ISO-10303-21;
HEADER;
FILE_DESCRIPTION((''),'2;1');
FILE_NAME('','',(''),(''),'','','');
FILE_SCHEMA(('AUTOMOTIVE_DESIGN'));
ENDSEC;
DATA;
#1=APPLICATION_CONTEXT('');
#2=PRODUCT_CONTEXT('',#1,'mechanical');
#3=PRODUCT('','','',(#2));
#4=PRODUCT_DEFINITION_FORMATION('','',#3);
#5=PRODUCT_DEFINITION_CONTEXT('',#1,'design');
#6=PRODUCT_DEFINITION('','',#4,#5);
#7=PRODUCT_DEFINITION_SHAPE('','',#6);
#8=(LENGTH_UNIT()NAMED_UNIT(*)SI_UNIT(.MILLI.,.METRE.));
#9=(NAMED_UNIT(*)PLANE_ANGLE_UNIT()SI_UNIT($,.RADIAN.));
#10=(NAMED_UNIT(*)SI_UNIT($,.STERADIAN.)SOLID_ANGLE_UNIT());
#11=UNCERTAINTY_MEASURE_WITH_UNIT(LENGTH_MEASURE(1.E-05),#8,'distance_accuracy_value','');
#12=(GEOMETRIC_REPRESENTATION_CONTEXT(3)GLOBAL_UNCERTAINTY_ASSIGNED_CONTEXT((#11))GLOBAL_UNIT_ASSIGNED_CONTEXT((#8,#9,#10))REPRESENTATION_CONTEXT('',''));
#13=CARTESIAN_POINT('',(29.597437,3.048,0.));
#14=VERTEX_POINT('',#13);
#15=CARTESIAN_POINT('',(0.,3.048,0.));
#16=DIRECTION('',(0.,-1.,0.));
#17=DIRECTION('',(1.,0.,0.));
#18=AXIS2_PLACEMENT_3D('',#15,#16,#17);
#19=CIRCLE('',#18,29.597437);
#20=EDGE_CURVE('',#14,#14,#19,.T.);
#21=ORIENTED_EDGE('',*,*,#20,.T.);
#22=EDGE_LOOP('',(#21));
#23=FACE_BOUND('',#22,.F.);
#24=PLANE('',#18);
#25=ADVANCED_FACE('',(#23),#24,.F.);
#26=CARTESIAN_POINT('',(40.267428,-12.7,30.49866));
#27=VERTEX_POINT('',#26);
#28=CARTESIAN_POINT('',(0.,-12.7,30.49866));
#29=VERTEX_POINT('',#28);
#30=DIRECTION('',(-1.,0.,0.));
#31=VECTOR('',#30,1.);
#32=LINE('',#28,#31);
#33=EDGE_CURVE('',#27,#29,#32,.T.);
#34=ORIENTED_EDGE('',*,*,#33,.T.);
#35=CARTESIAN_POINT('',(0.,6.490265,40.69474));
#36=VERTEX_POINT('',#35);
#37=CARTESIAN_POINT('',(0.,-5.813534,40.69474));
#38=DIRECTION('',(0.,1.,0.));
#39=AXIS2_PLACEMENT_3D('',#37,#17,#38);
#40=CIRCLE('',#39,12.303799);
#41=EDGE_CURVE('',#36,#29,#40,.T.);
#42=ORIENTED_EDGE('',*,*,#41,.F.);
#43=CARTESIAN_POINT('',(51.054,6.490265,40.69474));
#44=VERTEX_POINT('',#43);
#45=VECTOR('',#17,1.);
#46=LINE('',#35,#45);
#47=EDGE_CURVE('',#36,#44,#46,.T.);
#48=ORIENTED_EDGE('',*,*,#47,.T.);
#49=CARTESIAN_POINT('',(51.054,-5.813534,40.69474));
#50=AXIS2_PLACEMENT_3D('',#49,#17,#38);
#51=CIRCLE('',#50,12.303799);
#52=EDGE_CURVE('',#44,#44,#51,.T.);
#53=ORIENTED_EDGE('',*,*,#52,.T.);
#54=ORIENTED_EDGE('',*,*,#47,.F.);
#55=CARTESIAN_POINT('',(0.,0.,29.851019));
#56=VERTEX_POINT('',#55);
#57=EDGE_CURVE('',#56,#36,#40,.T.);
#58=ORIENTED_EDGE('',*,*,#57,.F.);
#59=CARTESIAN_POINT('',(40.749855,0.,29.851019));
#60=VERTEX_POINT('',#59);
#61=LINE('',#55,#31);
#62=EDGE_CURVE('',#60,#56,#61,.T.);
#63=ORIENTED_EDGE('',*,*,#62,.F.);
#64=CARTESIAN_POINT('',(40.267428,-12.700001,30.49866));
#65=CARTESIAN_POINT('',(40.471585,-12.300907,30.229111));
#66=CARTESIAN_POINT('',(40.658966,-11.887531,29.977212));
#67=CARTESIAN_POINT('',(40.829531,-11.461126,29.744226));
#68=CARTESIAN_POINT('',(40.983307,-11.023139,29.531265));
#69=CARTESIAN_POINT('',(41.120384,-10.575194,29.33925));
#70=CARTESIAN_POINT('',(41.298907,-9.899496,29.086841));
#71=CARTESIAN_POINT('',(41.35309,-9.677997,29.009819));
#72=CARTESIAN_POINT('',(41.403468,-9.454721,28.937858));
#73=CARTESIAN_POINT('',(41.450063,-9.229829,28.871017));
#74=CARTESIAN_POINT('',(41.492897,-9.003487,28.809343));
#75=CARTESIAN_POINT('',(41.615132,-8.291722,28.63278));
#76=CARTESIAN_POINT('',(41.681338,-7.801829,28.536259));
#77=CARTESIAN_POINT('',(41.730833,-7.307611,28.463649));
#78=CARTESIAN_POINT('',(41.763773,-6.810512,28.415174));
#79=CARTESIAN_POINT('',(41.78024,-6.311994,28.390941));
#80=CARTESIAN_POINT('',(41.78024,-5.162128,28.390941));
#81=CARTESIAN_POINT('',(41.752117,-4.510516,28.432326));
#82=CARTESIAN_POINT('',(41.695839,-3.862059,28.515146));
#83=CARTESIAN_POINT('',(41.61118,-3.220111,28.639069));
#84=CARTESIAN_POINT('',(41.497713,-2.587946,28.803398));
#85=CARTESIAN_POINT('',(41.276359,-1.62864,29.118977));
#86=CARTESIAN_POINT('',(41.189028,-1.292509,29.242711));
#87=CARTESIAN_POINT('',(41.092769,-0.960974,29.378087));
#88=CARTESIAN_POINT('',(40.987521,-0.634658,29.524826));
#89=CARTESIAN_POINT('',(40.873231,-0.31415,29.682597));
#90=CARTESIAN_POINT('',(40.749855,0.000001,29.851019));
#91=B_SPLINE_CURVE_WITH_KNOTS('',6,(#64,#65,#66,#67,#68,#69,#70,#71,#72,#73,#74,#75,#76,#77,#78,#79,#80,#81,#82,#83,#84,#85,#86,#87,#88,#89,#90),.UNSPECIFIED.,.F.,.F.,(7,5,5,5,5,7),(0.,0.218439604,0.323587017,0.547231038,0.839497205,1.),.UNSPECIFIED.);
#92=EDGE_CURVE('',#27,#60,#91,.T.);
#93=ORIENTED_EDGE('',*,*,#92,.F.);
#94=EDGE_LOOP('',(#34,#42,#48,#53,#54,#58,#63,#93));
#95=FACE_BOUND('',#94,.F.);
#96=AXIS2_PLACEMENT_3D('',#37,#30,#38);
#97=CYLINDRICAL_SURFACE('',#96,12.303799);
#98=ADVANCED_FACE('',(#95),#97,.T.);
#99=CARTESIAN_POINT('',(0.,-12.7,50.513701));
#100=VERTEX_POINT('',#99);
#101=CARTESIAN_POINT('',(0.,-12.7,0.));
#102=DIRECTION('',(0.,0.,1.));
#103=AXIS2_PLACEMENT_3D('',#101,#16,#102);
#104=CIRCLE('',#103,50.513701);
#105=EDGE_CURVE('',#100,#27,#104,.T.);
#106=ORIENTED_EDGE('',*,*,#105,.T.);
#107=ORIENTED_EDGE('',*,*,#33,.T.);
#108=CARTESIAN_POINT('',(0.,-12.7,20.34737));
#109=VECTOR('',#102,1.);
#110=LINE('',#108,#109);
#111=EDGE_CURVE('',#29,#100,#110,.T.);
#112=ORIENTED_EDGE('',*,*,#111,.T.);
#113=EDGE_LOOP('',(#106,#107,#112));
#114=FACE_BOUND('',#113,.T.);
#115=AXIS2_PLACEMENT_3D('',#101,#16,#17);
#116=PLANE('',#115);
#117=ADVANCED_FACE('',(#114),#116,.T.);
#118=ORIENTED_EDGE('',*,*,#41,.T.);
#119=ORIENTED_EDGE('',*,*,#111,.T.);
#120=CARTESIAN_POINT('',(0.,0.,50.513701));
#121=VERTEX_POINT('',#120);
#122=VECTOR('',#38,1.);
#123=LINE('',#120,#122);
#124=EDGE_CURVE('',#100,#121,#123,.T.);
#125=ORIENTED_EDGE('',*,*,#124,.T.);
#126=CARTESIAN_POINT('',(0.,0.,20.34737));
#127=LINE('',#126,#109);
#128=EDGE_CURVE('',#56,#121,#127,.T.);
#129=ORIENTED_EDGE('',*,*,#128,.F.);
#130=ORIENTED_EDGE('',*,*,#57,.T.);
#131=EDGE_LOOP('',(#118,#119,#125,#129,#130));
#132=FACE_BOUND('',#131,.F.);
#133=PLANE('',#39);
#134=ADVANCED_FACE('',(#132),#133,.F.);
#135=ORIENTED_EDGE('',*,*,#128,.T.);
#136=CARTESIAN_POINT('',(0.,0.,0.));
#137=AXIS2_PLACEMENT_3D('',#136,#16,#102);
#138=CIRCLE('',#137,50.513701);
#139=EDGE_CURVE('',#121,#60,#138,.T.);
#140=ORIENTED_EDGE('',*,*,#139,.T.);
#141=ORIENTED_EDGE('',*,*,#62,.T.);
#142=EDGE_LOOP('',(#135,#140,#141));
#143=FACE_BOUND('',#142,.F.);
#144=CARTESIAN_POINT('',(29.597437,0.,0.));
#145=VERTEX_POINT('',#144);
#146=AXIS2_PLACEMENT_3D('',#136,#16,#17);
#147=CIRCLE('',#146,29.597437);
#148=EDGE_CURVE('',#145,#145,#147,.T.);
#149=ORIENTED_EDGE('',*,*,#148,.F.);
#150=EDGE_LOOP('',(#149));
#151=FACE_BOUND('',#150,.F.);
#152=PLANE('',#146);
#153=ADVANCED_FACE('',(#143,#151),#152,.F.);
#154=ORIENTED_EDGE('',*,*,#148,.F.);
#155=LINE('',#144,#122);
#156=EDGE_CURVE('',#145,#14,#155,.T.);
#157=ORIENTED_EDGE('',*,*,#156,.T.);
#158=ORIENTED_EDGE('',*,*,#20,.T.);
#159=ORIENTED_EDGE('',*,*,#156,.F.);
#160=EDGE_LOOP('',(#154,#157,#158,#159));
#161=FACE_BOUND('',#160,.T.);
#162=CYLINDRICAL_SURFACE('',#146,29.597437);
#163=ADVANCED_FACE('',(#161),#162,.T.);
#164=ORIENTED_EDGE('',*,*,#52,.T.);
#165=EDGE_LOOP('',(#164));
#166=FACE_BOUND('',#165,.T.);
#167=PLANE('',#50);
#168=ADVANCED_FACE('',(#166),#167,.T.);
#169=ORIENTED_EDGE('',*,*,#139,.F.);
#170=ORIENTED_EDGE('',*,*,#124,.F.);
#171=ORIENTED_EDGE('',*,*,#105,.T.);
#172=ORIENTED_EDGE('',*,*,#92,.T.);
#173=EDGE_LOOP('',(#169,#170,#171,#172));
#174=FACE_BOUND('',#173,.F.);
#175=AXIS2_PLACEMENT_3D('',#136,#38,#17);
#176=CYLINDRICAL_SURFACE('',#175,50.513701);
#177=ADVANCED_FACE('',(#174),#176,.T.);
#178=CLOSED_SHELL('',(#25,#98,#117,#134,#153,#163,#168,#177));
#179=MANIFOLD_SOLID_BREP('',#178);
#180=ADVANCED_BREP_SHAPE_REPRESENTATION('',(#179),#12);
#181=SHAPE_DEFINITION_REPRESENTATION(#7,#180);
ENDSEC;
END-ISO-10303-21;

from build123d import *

# Parameters (mm, degrees)
F0_R     = 50.513701
F1_DEPTH = 12.7
F2_R     = 12.303799
F3_DEPTH = 51.054
F4_R     = 29.597437
F5_DEPTH = 3.048


with BuildPart() as f1:
    # F0 (on Front) → F1 (new body)
    with BuildSketch(Plane.XZ):
        Circle(F0_R)
    extrude(amount=F1_DEPTH)

    # F2 (on Right) → F3 (join)
    with BuildSketch(Plane.YZ):
        with Locations((-5.813534, 40.69474)):
            Circle(F2_R)
    extrude(amount=F3_DEPTH)

    # F4 (on Front) → F5 (join)
    with BuildSketch(Plane.XZ):
        Circle(F4_R)
    extrude(amount=-F5_DEPTH)


solid = f1.part
